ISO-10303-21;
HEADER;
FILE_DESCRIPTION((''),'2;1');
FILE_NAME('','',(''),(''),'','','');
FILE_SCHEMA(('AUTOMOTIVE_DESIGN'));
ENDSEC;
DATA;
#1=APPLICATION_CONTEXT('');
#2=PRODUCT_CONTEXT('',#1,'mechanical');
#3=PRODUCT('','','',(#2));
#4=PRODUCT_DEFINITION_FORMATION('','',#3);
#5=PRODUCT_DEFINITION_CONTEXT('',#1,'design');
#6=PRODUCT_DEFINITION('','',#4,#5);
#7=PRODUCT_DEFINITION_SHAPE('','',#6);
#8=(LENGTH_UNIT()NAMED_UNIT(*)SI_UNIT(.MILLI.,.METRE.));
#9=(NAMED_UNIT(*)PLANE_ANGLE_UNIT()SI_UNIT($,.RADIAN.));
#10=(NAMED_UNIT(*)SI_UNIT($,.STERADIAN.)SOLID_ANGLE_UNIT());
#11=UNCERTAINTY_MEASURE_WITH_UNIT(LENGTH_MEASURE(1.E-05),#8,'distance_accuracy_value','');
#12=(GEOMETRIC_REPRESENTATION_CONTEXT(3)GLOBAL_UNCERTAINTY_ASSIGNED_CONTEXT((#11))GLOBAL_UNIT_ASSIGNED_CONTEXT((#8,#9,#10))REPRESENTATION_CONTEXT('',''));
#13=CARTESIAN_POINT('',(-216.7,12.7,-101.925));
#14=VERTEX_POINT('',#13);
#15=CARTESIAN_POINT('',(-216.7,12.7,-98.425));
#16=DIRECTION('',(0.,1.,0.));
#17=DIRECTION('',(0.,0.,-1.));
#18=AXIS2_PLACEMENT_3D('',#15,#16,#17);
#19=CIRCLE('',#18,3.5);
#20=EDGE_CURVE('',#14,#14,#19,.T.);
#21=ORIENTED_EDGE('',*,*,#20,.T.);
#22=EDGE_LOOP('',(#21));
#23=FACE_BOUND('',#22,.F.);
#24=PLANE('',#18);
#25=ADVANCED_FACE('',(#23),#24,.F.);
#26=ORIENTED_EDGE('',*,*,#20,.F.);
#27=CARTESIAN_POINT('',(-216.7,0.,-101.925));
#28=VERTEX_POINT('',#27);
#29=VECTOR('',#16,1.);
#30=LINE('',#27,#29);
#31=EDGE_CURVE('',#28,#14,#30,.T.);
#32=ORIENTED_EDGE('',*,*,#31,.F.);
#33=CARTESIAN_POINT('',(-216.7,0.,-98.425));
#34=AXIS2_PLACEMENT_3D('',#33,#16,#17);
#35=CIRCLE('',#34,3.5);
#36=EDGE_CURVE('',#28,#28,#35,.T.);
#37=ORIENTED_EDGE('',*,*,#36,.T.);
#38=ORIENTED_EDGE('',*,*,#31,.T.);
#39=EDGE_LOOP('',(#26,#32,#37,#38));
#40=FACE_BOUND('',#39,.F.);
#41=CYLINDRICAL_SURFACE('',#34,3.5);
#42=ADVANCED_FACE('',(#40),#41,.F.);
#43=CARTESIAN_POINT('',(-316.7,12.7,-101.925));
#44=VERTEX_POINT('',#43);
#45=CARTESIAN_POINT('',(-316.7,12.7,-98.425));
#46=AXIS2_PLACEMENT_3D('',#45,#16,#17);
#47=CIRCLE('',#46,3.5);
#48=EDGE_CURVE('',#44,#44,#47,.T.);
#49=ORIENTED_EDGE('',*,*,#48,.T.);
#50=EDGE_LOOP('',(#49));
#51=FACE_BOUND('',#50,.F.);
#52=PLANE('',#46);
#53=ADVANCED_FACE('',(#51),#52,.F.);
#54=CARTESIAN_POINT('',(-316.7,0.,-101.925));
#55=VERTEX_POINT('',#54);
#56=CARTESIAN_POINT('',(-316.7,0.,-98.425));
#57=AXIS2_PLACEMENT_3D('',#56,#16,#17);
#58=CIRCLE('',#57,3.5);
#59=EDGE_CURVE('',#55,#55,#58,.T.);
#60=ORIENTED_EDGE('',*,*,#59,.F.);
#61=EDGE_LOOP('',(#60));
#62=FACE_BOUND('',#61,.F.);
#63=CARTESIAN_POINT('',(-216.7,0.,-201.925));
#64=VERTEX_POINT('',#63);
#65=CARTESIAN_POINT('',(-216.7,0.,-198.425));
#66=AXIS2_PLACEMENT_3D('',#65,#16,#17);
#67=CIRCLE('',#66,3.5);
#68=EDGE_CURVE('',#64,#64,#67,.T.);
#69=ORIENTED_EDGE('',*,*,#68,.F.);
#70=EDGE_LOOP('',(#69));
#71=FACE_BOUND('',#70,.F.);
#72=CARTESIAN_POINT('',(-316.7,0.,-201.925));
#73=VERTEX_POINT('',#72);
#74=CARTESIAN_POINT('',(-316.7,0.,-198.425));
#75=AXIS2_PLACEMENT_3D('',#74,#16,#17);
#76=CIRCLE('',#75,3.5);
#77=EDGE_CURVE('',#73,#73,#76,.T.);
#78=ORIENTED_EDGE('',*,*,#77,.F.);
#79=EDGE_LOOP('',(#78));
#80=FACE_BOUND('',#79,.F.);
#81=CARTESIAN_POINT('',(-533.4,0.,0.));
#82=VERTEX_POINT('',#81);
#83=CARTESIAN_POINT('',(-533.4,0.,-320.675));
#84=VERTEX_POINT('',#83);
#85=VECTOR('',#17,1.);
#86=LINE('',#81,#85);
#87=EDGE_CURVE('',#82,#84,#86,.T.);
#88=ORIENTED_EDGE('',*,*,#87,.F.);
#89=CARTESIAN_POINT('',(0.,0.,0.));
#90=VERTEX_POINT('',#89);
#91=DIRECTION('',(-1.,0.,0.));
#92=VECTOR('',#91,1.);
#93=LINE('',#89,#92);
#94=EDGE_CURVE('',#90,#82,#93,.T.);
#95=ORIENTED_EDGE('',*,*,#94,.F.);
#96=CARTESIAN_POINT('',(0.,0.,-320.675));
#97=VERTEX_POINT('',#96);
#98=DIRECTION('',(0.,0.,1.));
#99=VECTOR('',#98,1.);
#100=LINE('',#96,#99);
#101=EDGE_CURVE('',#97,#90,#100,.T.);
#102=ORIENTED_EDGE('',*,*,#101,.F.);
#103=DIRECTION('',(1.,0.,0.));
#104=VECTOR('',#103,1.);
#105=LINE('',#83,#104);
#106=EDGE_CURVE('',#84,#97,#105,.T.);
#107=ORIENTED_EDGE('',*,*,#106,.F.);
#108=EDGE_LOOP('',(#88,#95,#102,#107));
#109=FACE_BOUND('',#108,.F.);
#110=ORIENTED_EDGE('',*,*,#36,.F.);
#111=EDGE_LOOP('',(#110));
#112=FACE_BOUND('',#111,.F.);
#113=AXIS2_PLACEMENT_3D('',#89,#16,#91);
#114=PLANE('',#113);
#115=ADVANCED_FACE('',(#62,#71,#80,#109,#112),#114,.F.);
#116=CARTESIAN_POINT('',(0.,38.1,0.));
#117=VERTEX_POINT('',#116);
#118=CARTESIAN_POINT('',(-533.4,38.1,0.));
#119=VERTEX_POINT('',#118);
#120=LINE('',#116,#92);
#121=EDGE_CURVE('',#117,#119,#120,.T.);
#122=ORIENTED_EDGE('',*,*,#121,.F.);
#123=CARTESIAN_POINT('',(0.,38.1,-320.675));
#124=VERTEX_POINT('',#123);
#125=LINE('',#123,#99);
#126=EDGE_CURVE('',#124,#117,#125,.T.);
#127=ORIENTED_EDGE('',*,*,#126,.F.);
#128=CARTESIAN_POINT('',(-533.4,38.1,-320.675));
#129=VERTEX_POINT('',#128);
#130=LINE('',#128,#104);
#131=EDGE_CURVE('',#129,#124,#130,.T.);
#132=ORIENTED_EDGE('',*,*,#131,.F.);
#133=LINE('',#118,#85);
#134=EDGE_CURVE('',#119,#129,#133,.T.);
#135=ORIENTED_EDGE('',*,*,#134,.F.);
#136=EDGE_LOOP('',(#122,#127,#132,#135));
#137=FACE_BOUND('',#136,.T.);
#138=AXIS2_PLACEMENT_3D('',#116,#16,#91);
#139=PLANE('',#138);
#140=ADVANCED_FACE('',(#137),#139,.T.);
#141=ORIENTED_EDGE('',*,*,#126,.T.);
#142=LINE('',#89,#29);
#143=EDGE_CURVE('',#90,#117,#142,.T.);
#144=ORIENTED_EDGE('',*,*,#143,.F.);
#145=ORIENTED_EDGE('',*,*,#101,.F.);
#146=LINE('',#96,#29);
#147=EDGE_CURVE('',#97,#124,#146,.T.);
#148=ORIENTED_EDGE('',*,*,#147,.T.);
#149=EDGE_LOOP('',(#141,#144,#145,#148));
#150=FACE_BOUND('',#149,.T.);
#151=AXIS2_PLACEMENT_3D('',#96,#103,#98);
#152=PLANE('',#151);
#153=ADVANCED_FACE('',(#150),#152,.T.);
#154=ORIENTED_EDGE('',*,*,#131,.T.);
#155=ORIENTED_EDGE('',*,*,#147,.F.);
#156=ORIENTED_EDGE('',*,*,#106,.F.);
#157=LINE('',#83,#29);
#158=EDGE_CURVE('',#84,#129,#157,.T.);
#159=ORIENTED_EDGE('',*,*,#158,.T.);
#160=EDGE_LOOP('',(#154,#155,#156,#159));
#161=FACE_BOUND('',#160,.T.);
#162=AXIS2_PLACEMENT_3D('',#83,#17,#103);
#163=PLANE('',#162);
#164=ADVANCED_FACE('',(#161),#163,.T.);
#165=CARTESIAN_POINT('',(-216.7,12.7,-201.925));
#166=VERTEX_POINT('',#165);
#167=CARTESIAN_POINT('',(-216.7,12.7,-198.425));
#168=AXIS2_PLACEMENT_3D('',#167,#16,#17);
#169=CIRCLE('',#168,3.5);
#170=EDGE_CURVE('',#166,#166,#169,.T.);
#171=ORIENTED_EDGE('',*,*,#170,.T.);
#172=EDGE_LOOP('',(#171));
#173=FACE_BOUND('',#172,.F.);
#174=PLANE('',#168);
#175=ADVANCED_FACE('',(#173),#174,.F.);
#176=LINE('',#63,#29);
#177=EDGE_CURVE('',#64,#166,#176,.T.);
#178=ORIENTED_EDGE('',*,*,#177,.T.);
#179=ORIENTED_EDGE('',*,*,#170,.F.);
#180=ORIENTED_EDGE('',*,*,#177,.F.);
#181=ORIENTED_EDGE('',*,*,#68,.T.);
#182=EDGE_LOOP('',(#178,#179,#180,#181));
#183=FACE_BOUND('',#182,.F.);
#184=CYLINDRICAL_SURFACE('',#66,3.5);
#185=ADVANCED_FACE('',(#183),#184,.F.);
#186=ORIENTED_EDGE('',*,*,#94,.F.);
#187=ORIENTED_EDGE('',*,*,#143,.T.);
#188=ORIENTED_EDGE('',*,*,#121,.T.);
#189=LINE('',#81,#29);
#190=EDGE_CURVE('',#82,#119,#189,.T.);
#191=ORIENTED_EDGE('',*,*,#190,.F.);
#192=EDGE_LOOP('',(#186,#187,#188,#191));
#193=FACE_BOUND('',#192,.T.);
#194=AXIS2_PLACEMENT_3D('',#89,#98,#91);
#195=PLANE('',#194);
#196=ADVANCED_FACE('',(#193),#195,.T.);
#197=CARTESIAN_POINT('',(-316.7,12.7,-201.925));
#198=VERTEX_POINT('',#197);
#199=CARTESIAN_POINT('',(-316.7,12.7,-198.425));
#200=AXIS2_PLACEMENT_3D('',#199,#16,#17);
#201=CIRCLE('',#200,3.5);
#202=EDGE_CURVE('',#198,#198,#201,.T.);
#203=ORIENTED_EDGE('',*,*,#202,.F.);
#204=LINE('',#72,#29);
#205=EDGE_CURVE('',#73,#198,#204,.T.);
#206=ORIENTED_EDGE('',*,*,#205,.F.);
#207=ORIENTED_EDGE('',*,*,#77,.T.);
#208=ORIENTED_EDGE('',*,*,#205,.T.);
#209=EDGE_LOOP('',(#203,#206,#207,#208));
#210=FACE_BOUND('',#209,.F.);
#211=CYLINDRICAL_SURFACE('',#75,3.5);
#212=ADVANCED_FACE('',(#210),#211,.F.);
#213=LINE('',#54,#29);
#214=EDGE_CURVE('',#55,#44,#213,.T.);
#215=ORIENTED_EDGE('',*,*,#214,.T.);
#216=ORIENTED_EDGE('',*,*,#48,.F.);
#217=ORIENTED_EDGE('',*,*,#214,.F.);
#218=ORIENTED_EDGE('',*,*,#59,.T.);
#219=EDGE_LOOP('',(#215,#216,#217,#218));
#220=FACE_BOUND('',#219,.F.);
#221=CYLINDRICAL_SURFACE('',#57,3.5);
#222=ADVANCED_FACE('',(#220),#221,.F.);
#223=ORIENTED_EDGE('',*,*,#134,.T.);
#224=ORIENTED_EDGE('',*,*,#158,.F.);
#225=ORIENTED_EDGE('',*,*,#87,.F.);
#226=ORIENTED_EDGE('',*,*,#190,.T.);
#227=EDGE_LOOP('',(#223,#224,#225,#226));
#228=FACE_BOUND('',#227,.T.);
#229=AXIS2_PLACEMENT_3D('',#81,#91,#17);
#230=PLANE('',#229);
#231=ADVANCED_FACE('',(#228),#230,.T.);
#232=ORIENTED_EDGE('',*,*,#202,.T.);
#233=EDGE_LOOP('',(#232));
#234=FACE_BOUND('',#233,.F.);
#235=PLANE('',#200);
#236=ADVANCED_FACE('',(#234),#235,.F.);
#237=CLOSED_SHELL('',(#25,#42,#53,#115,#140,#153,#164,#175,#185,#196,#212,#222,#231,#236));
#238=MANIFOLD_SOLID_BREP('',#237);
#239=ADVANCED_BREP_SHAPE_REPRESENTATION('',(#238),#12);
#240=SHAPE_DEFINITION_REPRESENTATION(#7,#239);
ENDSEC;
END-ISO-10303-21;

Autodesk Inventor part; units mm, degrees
ref_plane "YZ Plane" through (0, 0, 0) normal (1, 0, 0) x (0, 1, 0)
ref_plane "XZ Plane" through (0, 0, 0) normal (0, 1, 0) x (-1, 0, 0)
ref_plane "XY Plane" through (0, 0, 0) normal (0, 0, 1) x (1, 0, 0)
sketch "Sketch1" plane through (0, 0, 0) normal (0, 1, 0) x (-1, 0, 0)
  line L0 (0, 0) -> (533.4, 0)
  line L1 (533.4, 0) -> (533.4, -320.675)
  line L2 (533.4, -320.675) -> (0, -320.675)
  line L3 (0, -320.675) -> (0, 0)
  dimension "d0" = 533.4
  dimension "d1" = 320.675
extrude "Extrusion1" add sketch "Sketch1" along normal blind 38.1
sketch "Sketch2" plane through (0, 0, 0) normal (0, -1, 0) x (1, 0, 0)
  line L0 (-533.4, 0) -> (-316.7, -98.425) construction
  line L1 (-216.7, -98.425) -> (0, 0) construction
  line L2 (0, 0) -> (-533.4, 0) projected
  point P0 (-316.7, -198.425)
  point P1 (-216.7, -198.425)
  dimension "d4" = 100
  dimension "d5" = 100
  dimension "d13" = 98.425
hole "Hole1" at (-316.7, 0, -98.425) at (-216.7, 0, -98.425) at (-316.7, 0, -198.425) at (-216.7, 0, -198.425) direction (0, 1, 0) diameter 7 depth 12.7
properties part number "MONITOR" material "ABS Plastic"
